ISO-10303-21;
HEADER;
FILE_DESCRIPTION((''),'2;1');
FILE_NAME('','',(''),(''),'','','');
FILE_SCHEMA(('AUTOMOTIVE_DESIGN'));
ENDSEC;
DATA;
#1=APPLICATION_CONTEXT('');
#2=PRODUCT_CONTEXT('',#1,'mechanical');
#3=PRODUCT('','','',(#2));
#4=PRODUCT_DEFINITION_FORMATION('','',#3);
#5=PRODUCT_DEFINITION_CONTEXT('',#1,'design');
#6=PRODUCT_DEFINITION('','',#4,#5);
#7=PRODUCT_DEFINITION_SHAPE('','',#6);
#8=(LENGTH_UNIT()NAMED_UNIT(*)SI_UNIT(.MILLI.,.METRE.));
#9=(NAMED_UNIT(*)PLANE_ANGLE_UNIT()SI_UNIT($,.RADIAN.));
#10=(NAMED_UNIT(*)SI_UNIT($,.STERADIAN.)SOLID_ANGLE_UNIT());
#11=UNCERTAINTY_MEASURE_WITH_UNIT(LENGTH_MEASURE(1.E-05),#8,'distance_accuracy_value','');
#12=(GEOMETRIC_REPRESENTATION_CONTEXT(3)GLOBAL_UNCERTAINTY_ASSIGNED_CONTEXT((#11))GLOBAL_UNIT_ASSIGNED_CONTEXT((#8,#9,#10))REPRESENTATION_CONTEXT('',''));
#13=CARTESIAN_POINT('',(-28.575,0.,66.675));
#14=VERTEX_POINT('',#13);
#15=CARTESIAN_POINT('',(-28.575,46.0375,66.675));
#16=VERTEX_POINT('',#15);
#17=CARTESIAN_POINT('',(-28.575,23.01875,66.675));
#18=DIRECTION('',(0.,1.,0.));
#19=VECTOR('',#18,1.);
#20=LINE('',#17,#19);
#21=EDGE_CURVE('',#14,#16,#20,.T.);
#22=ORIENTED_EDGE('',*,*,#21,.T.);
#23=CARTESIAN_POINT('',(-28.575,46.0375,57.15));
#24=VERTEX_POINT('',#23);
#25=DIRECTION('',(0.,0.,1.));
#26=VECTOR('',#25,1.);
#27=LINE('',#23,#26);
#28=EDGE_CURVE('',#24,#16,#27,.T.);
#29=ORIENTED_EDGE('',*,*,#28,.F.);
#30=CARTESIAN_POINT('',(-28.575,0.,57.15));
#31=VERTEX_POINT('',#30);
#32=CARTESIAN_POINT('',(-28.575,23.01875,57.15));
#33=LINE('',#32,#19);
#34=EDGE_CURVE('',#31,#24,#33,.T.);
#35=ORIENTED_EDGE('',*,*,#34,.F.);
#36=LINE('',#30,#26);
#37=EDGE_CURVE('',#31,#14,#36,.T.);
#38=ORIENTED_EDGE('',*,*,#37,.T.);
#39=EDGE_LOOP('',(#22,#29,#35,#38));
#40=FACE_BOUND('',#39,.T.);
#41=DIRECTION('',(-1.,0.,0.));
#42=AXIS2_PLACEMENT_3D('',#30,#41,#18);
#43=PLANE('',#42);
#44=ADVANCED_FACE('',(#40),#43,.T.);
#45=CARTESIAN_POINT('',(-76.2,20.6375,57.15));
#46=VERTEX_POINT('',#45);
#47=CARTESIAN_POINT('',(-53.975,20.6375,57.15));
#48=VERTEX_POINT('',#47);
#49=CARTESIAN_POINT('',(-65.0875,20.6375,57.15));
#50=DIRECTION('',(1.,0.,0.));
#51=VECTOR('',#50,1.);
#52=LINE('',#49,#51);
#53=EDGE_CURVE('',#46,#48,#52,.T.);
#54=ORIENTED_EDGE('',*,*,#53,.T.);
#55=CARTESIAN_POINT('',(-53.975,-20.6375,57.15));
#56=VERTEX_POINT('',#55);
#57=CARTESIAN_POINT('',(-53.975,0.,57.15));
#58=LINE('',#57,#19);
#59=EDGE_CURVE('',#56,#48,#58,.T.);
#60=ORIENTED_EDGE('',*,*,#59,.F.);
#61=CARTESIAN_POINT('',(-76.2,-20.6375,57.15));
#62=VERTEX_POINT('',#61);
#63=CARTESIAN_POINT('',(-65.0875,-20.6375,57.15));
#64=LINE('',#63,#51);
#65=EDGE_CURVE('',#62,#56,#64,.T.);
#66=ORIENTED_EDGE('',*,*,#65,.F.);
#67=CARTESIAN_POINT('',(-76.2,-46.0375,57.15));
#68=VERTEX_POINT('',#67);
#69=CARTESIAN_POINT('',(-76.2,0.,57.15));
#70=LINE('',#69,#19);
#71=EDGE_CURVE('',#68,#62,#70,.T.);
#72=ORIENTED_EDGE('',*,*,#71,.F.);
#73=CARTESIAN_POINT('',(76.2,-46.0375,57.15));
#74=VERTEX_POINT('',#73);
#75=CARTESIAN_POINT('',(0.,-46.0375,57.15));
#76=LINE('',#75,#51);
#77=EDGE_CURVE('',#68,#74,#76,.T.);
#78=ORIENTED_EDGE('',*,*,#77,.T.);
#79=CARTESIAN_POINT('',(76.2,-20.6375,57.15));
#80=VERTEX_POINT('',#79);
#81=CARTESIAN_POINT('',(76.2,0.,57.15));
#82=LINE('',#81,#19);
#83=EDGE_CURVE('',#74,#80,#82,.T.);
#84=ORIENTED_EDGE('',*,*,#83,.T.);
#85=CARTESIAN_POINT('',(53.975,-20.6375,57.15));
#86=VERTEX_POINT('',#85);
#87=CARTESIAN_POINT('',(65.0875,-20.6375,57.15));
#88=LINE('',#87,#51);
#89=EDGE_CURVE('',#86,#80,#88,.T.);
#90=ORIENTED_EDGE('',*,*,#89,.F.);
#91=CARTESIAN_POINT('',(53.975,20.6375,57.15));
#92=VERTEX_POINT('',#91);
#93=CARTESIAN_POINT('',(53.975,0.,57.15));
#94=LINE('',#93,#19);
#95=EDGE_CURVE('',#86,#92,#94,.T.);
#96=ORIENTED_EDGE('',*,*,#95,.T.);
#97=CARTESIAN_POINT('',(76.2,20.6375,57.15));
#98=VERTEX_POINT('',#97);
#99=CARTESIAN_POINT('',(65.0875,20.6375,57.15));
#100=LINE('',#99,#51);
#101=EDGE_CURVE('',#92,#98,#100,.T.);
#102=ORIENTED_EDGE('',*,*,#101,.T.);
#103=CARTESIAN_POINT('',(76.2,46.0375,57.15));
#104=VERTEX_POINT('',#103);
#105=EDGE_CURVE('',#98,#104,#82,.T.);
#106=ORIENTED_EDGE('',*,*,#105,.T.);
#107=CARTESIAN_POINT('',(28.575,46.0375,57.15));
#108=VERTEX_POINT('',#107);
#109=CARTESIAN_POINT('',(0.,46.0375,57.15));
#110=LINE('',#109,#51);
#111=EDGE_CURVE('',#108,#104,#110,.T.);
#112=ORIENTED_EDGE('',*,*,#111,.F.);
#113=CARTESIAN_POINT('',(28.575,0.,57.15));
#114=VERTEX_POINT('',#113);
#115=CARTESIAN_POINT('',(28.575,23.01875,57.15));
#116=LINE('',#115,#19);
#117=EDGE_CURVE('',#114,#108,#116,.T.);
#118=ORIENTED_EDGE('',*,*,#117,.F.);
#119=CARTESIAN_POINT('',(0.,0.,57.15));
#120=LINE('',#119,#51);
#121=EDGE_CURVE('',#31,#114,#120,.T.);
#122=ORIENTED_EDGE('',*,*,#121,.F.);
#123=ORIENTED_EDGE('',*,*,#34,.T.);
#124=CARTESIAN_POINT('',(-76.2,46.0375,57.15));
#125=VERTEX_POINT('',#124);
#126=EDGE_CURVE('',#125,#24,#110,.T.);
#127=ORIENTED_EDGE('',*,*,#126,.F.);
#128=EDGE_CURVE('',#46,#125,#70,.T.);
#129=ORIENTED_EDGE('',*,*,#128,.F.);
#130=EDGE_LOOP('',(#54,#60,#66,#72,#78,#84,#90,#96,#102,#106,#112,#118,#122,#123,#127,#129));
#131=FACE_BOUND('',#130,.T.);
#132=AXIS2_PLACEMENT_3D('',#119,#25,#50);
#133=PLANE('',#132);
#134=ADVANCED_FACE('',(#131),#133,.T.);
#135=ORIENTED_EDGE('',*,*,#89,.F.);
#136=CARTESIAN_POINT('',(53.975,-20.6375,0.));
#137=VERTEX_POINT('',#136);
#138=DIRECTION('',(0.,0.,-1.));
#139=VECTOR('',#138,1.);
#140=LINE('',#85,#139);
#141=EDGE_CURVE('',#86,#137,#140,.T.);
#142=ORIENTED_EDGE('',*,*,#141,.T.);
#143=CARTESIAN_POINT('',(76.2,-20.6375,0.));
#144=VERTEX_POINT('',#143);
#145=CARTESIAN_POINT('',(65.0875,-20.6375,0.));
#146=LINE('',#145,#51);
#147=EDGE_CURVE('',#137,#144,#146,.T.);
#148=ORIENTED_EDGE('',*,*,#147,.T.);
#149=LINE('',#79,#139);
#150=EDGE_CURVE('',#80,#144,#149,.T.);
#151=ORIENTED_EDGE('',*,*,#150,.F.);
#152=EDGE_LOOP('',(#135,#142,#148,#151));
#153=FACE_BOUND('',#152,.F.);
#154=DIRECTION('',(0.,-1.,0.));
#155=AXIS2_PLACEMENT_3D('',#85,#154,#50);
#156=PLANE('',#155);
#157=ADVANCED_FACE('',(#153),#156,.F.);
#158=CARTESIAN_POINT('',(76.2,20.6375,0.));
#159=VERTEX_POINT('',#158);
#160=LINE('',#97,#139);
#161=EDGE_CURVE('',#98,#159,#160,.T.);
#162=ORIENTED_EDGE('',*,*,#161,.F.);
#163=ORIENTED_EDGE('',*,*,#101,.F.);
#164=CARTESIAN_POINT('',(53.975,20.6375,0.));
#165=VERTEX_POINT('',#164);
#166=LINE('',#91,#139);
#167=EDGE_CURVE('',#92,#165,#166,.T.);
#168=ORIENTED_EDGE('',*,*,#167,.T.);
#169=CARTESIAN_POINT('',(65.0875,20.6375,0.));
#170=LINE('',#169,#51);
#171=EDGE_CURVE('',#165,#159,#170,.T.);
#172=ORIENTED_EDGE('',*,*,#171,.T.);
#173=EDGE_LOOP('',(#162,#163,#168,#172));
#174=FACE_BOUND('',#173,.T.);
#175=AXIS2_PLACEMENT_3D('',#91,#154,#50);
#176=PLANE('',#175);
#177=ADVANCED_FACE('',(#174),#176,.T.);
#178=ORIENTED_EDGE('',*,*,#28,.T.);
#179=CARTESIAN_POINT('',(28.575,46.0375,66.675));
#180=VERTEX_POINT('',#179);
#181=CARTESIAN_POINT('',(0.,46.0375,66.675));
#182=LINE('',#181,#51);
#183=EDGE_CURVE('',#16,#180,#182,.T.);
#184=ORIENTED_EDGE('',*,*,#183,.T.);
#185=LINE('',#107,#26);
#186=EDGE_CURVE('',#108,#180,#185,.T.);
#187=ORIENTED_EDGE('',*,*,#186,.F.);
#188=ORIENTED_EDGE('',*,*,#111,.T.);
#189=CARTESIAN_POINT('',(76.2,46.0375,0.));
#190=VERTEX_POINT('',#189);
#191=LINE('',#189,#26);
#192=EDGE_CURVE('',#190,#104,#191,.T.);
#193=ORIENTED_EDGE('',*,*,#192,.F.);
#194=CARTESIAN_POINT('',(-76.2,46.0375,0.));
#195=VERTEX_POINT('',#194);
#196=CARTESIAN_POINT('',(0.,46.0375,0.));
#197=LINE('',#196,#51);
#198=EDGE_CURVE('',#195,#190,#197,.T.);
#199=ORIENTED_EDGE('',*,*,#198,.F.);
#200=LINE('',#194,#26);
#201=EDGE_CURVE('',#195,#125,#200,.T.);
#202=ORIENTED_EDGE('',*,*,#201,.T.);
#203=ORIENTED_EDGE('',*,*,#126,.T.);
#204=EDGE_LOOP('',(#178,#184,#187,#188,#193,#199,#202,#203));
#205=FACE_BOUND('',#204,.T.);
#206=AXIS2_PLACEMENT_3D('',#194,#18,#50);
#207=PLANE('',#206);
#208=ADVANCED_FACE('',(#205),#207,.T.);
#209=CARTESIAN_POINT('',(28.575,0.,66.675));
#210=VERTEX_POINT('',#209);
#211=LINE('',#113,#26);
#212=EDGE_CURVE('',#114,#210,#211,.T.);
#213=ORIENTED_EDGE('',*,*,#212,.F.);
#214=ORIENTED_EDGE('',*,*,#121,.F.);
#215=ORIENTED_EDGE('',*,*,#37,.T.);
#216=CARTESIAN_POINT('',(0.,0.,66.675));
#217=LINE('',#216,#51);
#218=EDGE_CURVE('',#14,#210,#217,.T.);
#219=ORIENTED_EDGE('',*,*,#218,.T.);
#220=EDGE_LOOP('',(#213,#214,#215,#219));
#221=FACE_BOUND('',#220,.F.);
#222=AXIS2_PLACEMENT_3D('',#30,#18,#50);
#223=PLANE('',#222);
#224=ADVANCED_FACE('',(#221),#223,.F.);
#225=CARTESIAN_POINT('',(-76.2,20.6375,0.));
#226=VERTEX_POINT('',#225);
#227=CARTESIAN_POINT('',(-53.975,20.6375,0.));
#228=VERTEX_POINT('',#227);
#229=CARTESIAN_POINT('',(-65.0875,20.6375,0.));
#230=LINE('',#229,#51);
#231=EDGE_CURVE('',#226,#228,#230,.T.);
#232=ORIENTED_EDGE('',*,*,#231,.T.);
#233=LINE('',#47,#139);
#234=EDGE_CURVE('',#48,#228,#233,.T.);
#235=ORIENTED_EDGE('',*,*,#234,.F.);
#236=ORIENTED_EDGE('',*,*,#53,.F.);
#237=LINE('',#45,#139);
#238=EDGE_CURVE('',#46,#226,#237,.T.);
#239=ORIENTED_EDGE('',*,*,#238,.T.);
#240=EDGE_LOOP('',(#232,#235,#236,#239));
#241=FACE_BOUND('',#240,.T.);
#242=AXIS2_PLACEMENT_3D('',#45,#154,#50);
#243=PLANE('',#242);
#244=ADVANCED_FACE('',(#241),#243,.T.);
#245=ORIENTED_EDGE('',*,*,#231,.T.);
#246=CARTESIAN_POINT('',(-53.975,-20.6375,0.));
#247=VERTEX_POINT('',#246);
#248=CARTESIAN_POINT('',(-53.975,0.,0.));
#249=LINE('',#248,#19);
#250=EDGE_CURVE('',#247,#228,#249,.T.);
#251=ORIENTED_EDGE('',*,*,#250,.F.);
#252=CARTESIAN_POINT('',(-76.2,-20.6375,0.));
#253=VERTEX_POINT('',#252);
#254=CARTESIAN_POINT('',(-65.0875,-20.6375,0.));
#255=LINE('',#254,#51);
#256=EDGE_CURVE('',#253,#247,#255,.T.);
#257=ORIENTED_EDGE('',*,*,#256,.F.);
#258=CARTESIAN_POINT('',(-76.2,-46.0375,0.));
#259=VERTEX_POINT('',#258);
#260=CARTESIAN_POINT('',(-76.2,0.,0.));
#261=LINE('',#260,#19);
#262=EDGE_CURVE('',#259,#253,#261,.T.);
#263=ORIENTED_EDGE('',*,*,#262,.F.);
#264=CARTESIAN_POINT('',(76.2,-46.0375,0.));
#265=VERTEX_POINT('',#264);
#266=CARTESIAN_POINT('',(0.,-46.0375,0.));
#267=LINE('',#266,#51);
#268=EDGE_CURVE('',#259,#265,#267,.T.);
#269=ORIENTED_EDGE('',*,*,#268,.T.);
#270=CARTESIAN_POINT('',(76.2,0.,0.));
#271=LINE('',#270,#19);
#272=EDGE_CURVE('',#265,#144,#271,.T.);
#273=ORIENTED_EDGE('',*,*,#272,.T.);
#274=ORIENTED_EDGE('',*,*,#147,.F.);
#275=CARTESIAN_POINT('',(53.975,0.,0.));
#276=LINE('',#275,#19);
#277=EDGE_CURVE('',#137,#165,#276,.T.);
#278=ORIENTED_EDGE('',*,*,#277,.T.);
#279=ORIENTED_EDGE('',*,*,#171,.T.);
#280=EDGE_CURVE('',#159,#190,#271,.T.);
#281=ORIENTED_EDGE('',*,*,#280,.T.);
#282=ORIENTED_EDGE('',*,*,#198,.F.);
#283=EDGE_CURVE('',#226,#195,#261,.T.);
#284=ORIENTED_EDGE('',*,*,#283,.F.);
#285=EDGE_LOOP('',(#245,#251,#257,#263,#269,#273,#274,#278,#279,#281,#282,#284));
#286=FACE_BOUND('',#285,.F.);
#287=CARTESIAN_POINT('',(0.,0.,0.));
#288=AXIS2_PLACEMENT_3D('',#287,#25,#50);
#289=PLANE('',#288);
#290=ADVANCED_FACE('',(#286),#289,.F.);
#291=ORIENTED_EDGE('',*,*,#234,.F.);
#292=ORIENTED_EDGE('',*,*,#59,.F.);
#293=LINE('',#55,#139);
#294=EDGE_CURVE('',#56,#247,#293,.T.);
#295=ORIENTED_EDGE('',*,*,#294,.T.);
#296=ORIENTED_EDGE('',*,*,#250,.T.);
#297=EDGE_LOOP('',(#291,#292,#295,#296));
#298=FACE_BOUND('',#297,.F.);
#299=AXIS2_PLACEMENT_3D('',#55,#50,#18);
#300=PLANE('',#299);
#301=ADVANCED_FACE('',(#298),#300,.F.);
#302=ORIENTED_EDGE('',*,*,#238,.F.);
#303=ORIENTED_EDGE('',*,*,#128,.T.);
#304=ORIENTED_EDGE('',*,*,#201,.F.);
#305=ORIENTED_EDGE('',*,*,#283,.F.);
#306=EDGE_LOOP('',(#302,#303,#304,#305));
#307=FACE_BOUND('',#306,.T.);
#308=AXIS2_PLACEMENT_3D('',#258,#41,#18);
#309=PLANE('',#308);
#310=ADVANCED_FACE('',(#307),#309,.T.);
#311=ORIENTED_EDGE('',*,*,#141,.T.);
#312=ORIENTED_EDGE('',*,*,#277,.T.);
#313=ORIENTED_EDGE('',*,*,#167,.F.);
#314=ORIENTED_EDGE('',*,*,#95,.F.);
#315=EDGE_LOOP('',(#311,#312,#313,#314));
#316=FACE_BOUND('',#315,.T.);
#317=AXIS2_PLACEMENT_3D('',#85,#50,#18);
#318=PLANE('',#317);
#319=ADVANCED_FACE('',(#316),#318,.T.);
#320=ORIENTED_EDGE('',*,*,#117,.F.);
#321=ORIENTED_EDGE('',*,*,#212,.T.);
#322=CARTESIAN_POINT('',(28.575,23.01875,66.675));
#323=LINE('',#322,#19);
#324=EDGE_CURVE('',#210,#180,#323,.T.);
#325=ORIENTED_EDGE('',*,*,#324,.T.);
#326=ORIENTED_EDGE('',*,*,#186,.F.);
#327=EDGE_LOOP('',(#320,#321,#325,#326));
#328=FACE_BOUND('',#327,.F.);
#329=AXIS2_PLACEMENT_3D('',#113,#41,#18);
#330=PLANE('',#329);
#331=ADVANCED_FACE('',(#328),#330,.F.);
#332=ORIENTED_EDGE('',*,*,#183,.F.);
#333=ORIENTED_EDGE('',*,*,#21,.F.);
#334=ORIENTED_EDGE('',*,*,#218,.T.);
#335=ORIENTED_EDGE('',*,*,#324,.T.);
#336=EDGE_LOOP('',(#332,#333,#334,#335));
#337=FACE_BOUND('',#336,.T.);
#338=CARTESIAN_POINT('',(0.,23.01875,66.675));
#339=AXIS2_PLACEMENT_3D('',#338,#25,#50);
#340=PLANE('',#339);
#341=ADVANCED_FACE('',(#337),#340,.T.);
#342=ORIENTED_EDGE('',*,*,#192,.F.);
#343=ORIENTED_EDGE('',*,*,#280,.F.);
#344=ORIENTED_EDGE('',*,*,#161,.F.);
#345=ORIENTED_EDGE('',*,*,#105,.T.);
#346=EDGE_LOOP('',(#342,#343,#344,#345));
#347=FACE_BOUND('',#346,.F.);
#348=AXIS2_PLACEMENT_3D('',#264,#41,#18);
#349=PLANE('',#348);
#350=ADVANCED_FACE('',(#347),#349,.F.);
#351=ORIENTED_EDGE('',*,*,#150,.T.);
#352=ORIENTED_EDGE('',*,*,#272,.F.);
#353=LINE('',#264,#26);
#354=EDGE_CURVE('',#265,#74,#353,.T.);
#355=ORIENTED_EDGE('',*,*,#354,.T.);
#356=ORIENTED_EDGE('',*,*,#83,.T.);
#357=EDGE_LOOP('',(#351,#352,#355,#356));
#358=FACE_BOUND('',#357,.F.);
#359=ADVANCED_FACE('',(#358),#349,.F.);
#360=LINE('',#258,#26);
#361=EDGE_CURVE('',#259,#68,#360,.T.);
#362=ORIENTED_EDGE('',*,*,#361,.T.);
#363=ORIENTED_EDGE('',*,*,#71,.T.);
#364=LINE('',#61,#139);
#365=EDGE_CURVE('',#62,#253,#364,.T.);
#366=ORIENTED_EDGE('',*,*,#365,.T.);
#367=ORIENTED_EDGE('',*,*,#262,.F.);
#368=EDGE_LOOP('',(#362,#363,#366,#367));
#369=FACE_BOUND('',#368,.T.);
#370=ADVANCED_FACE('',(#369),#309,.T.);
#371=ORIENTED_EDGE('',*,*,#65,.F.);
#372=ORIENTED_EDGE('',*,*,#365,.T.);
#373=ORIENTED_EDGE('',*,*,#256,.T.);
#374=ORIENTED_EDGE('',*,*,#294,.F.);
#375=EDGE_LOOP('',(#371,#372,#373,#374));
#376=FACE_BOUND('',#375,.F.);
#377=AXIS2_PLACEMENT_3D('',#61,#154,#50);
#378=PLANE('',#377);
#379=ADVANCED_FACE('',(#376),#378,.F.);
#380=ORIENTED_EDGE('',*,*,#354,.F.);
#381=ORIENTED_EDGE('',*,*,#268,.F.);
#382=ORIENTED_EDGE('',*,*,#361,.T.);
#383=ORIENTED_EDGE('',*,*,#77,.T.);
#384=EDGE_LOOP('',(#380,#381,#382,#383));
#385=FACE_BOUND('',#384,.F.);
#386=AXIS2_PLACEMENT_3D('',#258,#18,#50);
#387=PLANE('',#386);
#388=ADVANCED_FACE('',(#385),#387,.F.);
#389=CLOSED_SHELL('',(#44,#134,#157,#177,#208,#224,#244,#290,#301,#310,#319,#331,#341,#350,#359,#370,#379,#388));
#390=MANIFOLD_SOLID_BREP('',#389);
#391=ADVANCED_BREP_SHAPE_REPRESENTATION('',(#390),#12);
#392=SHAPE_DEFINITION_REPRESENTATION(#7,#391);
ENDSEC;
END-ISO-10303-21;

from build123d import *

# Parameters (mm, degrees)
F0_W     = 152.4
F0_H     = 92.075
F1_DEPTH = 57.15
F2_W     = 57.15
F2_H     = 46.0375
F3_DEPTH = 9.525
F4_W     = 22.225
F4_H     = 41.275
F5_DEPTH = 57.15


with BuildPart() as f1:
    # F0 (on Top) → F1 (new body)
    with BuildSketch(Plane.XY):
        Rectangle(F0_W, F0_H)
    extrude(amount=F1_DEPTH)

    # F2 (on face) → F3 (join)
    with BuildSketch(Plane.XY.offset(57.15)):
        with Locations((0, 23.01875)):
            Rectangle(F2_W, F2_H)
    extrude(amount=F3_DEPTH)

    # F4 (on face) → F5 (cut)
    with BuildSketch(Plane.XY.offset(57.15)):
        with Locations((-65.0875, 0)):
            Rectangle(F4_W, F4_H)
        with Locations((65.0875, 0)):
            Rectangle(F4_W, F4_H)
    extrude(amount=-F5_DEPTH, mode=Mode.SUBTRACT)


solid = f1.part
